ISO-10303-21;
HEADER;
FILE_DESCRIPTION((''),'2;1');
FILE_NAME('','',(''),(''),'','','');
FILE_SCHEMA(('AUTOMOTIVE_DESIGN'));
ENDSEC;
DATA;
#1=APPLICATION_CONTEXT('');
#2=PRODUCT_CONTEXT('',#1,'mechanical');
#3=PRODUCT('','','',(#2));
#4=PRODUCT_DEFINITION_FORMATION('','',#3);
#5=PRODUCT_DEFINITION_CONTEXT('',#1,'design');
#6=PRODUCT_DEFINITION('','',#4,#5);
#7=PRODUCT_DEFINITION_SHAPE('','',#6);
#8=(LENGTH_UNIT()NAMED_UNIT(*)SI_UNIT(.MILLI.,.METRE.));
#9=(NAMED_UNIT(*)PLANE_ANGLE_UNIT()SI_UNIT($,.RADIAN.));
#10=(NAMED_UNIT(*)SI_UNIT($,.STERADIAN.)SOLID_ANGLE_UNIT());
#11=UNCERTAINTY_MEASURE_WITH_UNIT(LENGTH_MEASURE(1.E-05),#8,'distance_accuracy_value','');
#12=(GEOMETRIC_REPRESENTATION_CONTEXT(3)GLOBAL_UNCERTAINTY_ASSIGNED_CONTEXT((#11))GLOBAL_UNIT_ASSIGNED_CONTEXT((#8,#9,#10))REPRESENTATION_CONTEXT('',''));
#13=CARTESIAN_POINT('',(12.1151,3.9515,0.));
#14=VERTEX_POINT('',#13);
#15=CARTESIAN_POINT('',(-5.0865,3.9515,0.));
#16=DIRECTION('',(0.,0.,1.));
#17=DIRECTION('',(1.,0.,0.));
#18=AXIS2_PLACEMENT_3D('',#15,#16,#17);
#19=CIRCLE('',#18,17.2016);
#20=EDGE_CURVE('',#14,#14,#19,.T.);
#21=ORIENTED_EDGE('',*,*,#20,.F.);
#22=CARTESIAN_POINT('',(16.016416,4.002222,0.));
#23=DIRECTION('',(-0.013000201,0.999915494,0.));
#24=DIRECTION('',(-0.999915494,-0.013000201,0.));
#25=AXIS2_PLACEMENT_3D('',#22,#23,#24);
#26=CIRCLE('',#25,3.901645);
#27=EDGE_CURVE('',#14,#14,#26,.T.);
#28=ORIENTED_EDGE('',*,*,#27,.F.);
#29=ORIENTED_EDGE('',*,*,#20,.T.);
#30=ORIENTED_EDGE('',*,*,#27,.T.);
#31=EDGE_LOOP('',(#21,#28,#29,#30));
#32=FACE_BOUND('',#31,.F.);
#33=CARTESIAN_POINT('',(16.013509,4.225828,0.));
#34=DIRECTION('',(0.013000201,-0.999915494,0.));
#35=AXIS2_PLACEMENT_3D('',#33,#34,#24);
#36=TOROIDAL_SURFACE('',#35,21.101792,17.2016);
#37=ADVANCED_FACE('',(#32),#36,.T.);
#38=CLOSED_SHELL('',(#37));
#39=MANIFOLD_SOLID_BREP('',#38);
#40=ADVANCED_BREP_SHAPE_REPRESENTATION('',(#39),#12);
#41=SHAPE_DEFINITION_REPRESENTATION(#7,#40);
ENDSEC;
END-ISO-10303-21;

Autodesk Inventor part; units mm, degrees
ref_plane "YZ Plane" through (0, 0, 0) normal (1, 0, 0) x (0, 1, 0)
ref_plane "XZ Plane" through (0, 0, 0) normal (0, 1, 0) x (-1, 0, 0)
ref_plane "XY Plane" through (0, 0, 0) normal (0, 0, 1) x (1, 0, 0)
sketch "Sketch1" plane through (0, 0, 0) normal (0, 0, 1) x (1, 0, 0)
  circle A0 centre (-5.0865, 3.9515) radius 17.2016
  line L0 (16.2264, -12.1488) -> (15.8481, 16.857)
  point P0 (0, 0)
  dimension "d0" = 360
revolve "Revolution1" add sketch "Sketch1" angle 360 about axis through (16.2264, -12.1488, 0) along (-0.013, 0.9999, 0)
properties part number "revloving donut"
